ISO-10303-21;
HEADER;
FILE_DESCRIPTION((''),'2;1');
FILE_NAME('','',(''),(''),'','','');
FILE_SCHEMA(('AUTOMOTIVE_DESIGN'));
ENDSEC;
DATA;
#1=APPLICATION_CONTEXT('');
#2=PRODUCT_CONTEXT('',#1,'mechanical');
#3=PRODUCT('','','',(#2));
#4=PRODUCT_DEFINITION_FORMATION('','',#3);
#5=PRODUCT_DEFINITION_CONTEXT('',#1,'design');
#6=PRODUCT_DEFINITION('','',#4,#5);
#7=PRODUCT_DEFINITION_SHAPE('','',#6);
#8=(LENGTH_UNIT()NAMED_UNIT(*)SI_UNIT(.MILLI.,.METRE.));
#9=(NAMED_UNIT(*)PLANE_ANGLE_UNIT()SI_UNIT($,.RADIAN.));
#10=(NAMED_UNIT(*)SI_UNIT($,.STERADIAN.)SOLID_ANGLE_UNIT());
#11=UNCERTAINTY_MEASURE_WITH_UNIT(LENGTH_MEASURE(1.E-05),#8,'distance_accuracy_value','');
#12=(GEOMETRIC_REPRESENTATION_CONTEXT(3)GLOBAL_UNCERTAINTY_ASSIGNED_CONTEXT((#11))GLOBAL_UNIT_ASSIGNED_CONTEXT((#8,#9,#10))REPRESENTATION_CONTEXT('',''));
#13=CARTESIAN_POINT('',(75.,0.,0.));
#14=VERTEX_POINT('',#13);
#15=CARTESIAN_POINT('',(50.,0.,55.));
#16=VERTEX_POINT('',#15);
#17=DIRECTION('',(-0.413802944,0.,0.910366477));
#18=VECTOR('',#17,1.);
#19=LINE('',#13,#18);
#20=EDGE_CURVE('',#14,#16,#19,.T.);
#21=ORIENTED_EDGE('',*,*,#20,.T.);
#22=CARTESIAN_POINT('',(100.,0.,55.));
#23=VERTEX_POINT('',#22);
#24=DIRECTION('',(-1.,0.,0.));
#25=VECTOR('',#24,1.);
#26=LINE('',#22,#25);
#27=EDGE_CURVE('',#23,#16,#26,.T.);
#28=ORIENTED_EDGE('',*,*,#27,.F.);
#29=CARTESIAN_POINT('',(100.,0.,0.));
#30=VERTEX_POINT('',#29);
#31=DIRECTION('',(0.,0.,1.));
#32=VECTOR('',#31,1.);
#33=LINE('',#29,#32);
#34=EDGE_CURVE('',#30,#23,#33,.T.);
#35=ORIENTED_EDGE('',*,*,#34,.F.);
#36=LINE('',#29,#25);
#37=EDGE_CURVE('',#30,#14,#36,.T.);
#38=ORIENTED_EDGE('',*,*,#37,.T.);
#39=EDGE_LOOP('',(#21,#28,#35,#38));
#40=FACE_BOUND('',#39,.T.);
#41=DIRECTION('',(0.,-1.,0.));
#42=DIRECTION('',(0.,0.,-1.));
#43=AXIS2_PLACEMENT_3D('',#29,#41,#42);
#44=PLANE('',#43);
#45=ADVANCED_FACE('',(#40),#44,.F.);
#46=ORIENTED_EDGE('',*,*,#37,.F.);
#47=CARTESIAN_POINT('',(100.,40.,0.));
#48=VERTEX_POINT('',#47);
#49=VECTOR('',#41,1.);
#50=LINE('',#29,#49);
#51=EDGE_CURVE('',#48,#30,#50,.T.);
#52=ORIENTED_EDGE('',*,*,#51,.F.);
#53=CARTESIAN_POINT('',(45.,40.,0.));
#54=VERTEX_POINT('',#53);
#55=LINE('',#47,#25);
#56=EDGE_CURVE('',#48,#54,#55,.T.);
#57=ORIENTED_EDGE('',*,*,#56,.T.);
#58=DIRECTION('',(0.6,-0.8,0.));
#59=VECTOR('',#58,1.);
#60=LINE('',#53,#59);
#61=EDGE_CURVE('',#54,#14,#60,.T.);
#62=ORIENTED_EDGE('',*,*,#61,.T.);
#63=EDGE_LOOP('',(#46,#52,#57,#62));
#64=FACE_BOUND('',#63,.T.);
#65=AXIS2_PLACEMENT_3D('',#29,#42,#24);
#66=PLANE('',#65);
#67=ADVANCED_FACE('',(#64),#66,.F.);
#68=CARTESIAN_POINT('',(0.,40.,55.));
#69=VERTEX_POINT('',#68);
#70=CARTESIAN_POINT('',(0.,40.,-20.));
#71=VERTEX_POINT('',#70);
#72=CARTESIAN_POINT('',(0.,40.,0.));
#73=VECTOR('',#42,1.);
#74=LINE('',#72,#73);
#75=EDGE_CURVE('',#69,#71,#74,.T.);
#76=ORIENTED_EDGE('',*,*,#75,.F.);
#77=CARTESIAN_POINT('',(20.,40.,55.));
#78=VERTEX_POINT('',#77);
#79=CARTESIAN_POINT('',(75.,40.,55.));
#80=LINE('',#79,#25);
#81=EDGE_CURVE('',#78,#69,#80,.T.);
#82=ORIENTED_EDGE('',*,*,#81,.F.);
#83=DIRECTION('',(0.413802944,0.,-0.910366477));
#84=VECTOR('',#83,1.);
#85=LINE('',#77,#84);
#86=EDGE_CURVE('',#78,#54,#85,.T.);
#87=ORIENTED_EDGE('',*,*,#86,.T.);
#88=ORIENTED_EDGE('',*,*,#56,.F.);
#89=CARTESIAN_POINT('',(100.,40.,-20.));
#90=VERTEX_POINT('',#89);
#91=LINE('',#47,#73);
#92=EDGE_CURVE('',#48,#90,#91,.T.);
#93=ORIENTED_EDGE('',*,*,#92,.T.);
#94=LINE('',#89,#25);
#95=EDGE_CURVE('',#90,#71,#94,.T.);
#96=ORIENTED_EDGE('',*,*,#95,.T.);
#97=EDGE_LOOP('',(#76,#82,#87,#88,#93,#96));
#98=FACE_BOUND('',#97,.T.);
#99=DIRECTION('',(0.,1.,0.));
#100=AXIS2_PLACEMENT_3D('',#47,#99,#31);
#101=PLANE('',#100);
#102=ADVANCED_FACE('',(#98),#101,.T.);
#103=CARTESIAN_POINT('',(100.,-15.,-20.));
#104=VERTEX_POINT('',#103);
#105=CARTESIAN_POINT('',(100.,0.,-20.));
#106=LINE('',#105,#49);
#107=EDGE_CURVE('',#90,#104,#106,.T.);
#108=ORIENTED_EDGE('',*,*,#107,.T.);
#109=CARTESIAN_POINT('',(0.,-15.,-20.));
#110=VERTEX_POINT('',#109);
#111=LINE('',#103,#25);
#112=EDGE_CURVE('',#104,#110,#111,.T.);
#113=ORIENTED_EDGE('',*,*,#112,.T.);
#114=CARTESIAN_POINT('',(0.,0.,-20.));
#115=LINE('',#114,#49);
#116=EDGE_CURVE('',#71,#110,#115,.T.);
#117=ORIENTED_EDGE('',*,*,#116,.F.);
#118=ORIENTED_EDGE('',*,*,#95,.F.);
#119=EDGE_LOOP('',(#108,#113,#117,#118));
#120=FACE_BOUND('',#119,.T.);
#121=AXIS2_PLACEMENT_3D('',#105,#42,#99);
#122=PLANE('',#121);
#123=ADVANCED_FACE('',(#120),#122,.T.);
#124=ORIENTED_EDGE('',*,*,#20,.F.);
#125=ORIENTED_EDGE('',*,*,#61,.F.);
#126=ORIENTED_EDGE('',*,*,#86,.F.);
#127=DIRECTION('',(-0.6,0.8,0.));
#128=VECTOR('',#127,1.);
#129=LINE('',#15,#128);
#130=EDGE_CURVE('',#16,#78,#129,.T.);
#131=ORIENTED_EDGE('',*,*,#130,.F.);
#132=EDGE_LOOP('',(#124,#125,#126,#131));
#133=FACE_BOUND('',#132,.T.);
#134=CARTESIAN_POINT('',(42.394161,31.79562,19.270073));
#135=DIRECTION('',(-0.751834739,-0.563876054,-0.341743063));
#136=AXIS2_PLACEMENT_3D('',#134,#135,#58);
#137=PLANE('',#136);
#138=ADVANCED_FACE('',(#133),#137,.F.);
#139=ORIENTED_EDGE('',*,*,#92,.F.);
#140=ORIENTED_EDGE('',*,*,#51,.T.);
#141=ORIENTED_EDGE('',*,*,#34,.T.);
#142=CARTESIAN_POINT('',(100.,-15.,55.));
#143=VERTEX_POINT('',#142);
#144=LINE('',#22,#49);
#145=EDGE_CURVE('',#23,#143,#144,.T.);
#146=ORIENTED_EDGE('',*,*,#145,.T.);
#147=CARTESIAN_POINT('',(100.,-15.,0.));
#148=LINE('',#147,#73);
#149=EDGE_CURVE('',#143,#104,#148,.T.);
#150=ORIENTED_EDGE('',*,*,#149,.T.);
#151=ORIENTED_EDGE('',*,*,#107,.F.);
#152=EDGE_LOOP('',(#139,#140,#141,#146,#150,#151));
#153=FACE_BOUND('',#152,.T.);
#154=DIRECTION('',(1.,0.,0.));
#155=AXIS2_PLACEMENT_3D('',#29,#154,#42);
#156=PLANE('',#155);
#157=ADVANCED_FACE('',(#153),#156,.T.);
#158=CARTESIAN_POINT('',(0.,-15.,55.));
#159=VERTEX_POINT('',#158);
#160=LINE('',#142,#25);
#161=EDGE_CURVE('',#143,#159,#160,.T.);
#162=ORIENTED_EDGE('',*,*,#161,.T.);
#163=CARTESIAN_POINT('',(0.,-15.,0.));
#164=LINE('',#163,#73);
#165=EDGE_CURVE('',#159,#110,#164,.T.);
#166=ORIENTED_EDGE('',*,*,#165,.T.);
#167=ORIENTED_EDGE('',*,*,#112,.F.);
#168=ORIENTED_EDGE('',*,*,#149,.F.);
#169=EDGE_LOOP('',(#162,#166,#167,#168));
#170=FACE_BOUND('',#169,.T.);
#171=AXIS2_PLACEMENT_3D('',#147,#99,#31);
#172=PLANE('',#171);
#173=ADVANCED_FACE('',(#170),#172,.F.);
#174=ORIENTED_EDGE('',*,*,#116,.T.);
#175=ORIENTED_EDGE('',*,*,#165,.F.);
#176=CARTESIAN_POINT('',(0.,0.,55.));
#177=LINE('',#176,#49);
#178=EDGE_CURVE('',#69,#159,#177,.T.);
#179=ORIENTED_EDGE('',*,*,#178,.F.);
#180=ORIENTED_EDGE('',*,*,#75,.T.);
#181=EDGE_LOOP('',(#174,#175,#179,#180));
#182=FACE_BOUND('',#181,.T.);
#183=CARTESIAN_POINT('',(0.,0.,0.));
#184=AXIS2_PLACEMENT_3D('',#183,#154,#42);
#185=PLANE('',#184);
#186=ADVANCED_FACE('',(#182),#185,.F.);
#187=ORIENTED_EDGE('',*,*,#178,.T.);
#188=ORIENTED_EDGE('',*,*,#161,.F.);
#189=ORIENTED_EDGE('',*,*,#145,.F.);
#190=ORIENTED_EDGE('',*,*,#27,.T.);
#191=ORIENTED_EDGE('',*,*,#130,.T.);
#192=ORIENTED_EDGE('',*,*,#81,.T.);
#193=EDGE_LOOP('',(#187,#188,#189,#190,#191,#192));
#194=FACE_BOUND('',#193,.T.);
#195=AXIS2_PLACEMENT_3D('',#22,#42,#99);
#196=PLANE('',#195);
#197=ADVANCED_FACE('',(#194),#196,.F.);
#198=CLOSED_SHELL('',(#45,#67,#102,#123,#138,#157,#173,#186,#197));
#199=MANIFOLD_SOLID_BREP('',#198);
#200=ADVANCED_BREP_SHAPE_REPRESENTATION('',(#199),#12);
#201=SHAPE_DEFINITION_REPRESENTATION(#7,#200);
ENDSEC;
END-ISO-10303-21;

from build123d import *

# Parameters (mm, degrees)
BOSS_EXTRUDE1_DEPTH = 100
SKETCH1_3_W         = 55
SKETCH1_3_H         = 40
BOSS_EXTRUDE2_DEPTH = 75
CUT_EXTRUDE1_DEPTH  = 75


with BuildPart() as part:
    # Sketch1 → Boss-Extrude1 (new body)
    with BuildSketch(Plane(origin=(0, 0, 0), x_dir=(0, 0, -1), z_dir=(1, 0, 0))):
        Polygon((20, 40), (0, 40), (0, 0), (-55, 0), (-55, -15), (20, -15), align=None)
    extrude(amount=BOSS_EXTRUDE1_DEPTH)

    # Sketch1<3> → Boss-Extrude2 (add)
    with BuildSketch(Plane(origin=(0, 0, 0), x_dir=(0, 0, -1), z_dir=(1, 0, 0))):
        with Locations((-27.5, 20)):
            Rectangle(SKETCH1_3_W, SKETCH1_3_H)
    extrude(amount=BOSS_EXTRUDE2_DEPTH)

    # Sketch4 → Cut-Extrude1 (cut, along a direction that is not the sketch's normal)
    with BuildSketch(Plane(origin=(42.394160584, 31.795620438, 19.270072993), x_dir=(-0.27339445046936345, -0.20504583785202254, 0.9397934234884372), z_dir=(-0.7518347387907499, -0.5638760540930621, -0.34174306308670427))):
        Polygon((38.018915768, 20), (-20.504583785, 5), (-20.504583785, -45), (38.018915768, -30), align=None)
    extrude(amount=-CUT_EXTRUDE1_DEPTH, dir=(-1, 0, 0), mode=Mode.SUBTRACT)


solid = part.part
